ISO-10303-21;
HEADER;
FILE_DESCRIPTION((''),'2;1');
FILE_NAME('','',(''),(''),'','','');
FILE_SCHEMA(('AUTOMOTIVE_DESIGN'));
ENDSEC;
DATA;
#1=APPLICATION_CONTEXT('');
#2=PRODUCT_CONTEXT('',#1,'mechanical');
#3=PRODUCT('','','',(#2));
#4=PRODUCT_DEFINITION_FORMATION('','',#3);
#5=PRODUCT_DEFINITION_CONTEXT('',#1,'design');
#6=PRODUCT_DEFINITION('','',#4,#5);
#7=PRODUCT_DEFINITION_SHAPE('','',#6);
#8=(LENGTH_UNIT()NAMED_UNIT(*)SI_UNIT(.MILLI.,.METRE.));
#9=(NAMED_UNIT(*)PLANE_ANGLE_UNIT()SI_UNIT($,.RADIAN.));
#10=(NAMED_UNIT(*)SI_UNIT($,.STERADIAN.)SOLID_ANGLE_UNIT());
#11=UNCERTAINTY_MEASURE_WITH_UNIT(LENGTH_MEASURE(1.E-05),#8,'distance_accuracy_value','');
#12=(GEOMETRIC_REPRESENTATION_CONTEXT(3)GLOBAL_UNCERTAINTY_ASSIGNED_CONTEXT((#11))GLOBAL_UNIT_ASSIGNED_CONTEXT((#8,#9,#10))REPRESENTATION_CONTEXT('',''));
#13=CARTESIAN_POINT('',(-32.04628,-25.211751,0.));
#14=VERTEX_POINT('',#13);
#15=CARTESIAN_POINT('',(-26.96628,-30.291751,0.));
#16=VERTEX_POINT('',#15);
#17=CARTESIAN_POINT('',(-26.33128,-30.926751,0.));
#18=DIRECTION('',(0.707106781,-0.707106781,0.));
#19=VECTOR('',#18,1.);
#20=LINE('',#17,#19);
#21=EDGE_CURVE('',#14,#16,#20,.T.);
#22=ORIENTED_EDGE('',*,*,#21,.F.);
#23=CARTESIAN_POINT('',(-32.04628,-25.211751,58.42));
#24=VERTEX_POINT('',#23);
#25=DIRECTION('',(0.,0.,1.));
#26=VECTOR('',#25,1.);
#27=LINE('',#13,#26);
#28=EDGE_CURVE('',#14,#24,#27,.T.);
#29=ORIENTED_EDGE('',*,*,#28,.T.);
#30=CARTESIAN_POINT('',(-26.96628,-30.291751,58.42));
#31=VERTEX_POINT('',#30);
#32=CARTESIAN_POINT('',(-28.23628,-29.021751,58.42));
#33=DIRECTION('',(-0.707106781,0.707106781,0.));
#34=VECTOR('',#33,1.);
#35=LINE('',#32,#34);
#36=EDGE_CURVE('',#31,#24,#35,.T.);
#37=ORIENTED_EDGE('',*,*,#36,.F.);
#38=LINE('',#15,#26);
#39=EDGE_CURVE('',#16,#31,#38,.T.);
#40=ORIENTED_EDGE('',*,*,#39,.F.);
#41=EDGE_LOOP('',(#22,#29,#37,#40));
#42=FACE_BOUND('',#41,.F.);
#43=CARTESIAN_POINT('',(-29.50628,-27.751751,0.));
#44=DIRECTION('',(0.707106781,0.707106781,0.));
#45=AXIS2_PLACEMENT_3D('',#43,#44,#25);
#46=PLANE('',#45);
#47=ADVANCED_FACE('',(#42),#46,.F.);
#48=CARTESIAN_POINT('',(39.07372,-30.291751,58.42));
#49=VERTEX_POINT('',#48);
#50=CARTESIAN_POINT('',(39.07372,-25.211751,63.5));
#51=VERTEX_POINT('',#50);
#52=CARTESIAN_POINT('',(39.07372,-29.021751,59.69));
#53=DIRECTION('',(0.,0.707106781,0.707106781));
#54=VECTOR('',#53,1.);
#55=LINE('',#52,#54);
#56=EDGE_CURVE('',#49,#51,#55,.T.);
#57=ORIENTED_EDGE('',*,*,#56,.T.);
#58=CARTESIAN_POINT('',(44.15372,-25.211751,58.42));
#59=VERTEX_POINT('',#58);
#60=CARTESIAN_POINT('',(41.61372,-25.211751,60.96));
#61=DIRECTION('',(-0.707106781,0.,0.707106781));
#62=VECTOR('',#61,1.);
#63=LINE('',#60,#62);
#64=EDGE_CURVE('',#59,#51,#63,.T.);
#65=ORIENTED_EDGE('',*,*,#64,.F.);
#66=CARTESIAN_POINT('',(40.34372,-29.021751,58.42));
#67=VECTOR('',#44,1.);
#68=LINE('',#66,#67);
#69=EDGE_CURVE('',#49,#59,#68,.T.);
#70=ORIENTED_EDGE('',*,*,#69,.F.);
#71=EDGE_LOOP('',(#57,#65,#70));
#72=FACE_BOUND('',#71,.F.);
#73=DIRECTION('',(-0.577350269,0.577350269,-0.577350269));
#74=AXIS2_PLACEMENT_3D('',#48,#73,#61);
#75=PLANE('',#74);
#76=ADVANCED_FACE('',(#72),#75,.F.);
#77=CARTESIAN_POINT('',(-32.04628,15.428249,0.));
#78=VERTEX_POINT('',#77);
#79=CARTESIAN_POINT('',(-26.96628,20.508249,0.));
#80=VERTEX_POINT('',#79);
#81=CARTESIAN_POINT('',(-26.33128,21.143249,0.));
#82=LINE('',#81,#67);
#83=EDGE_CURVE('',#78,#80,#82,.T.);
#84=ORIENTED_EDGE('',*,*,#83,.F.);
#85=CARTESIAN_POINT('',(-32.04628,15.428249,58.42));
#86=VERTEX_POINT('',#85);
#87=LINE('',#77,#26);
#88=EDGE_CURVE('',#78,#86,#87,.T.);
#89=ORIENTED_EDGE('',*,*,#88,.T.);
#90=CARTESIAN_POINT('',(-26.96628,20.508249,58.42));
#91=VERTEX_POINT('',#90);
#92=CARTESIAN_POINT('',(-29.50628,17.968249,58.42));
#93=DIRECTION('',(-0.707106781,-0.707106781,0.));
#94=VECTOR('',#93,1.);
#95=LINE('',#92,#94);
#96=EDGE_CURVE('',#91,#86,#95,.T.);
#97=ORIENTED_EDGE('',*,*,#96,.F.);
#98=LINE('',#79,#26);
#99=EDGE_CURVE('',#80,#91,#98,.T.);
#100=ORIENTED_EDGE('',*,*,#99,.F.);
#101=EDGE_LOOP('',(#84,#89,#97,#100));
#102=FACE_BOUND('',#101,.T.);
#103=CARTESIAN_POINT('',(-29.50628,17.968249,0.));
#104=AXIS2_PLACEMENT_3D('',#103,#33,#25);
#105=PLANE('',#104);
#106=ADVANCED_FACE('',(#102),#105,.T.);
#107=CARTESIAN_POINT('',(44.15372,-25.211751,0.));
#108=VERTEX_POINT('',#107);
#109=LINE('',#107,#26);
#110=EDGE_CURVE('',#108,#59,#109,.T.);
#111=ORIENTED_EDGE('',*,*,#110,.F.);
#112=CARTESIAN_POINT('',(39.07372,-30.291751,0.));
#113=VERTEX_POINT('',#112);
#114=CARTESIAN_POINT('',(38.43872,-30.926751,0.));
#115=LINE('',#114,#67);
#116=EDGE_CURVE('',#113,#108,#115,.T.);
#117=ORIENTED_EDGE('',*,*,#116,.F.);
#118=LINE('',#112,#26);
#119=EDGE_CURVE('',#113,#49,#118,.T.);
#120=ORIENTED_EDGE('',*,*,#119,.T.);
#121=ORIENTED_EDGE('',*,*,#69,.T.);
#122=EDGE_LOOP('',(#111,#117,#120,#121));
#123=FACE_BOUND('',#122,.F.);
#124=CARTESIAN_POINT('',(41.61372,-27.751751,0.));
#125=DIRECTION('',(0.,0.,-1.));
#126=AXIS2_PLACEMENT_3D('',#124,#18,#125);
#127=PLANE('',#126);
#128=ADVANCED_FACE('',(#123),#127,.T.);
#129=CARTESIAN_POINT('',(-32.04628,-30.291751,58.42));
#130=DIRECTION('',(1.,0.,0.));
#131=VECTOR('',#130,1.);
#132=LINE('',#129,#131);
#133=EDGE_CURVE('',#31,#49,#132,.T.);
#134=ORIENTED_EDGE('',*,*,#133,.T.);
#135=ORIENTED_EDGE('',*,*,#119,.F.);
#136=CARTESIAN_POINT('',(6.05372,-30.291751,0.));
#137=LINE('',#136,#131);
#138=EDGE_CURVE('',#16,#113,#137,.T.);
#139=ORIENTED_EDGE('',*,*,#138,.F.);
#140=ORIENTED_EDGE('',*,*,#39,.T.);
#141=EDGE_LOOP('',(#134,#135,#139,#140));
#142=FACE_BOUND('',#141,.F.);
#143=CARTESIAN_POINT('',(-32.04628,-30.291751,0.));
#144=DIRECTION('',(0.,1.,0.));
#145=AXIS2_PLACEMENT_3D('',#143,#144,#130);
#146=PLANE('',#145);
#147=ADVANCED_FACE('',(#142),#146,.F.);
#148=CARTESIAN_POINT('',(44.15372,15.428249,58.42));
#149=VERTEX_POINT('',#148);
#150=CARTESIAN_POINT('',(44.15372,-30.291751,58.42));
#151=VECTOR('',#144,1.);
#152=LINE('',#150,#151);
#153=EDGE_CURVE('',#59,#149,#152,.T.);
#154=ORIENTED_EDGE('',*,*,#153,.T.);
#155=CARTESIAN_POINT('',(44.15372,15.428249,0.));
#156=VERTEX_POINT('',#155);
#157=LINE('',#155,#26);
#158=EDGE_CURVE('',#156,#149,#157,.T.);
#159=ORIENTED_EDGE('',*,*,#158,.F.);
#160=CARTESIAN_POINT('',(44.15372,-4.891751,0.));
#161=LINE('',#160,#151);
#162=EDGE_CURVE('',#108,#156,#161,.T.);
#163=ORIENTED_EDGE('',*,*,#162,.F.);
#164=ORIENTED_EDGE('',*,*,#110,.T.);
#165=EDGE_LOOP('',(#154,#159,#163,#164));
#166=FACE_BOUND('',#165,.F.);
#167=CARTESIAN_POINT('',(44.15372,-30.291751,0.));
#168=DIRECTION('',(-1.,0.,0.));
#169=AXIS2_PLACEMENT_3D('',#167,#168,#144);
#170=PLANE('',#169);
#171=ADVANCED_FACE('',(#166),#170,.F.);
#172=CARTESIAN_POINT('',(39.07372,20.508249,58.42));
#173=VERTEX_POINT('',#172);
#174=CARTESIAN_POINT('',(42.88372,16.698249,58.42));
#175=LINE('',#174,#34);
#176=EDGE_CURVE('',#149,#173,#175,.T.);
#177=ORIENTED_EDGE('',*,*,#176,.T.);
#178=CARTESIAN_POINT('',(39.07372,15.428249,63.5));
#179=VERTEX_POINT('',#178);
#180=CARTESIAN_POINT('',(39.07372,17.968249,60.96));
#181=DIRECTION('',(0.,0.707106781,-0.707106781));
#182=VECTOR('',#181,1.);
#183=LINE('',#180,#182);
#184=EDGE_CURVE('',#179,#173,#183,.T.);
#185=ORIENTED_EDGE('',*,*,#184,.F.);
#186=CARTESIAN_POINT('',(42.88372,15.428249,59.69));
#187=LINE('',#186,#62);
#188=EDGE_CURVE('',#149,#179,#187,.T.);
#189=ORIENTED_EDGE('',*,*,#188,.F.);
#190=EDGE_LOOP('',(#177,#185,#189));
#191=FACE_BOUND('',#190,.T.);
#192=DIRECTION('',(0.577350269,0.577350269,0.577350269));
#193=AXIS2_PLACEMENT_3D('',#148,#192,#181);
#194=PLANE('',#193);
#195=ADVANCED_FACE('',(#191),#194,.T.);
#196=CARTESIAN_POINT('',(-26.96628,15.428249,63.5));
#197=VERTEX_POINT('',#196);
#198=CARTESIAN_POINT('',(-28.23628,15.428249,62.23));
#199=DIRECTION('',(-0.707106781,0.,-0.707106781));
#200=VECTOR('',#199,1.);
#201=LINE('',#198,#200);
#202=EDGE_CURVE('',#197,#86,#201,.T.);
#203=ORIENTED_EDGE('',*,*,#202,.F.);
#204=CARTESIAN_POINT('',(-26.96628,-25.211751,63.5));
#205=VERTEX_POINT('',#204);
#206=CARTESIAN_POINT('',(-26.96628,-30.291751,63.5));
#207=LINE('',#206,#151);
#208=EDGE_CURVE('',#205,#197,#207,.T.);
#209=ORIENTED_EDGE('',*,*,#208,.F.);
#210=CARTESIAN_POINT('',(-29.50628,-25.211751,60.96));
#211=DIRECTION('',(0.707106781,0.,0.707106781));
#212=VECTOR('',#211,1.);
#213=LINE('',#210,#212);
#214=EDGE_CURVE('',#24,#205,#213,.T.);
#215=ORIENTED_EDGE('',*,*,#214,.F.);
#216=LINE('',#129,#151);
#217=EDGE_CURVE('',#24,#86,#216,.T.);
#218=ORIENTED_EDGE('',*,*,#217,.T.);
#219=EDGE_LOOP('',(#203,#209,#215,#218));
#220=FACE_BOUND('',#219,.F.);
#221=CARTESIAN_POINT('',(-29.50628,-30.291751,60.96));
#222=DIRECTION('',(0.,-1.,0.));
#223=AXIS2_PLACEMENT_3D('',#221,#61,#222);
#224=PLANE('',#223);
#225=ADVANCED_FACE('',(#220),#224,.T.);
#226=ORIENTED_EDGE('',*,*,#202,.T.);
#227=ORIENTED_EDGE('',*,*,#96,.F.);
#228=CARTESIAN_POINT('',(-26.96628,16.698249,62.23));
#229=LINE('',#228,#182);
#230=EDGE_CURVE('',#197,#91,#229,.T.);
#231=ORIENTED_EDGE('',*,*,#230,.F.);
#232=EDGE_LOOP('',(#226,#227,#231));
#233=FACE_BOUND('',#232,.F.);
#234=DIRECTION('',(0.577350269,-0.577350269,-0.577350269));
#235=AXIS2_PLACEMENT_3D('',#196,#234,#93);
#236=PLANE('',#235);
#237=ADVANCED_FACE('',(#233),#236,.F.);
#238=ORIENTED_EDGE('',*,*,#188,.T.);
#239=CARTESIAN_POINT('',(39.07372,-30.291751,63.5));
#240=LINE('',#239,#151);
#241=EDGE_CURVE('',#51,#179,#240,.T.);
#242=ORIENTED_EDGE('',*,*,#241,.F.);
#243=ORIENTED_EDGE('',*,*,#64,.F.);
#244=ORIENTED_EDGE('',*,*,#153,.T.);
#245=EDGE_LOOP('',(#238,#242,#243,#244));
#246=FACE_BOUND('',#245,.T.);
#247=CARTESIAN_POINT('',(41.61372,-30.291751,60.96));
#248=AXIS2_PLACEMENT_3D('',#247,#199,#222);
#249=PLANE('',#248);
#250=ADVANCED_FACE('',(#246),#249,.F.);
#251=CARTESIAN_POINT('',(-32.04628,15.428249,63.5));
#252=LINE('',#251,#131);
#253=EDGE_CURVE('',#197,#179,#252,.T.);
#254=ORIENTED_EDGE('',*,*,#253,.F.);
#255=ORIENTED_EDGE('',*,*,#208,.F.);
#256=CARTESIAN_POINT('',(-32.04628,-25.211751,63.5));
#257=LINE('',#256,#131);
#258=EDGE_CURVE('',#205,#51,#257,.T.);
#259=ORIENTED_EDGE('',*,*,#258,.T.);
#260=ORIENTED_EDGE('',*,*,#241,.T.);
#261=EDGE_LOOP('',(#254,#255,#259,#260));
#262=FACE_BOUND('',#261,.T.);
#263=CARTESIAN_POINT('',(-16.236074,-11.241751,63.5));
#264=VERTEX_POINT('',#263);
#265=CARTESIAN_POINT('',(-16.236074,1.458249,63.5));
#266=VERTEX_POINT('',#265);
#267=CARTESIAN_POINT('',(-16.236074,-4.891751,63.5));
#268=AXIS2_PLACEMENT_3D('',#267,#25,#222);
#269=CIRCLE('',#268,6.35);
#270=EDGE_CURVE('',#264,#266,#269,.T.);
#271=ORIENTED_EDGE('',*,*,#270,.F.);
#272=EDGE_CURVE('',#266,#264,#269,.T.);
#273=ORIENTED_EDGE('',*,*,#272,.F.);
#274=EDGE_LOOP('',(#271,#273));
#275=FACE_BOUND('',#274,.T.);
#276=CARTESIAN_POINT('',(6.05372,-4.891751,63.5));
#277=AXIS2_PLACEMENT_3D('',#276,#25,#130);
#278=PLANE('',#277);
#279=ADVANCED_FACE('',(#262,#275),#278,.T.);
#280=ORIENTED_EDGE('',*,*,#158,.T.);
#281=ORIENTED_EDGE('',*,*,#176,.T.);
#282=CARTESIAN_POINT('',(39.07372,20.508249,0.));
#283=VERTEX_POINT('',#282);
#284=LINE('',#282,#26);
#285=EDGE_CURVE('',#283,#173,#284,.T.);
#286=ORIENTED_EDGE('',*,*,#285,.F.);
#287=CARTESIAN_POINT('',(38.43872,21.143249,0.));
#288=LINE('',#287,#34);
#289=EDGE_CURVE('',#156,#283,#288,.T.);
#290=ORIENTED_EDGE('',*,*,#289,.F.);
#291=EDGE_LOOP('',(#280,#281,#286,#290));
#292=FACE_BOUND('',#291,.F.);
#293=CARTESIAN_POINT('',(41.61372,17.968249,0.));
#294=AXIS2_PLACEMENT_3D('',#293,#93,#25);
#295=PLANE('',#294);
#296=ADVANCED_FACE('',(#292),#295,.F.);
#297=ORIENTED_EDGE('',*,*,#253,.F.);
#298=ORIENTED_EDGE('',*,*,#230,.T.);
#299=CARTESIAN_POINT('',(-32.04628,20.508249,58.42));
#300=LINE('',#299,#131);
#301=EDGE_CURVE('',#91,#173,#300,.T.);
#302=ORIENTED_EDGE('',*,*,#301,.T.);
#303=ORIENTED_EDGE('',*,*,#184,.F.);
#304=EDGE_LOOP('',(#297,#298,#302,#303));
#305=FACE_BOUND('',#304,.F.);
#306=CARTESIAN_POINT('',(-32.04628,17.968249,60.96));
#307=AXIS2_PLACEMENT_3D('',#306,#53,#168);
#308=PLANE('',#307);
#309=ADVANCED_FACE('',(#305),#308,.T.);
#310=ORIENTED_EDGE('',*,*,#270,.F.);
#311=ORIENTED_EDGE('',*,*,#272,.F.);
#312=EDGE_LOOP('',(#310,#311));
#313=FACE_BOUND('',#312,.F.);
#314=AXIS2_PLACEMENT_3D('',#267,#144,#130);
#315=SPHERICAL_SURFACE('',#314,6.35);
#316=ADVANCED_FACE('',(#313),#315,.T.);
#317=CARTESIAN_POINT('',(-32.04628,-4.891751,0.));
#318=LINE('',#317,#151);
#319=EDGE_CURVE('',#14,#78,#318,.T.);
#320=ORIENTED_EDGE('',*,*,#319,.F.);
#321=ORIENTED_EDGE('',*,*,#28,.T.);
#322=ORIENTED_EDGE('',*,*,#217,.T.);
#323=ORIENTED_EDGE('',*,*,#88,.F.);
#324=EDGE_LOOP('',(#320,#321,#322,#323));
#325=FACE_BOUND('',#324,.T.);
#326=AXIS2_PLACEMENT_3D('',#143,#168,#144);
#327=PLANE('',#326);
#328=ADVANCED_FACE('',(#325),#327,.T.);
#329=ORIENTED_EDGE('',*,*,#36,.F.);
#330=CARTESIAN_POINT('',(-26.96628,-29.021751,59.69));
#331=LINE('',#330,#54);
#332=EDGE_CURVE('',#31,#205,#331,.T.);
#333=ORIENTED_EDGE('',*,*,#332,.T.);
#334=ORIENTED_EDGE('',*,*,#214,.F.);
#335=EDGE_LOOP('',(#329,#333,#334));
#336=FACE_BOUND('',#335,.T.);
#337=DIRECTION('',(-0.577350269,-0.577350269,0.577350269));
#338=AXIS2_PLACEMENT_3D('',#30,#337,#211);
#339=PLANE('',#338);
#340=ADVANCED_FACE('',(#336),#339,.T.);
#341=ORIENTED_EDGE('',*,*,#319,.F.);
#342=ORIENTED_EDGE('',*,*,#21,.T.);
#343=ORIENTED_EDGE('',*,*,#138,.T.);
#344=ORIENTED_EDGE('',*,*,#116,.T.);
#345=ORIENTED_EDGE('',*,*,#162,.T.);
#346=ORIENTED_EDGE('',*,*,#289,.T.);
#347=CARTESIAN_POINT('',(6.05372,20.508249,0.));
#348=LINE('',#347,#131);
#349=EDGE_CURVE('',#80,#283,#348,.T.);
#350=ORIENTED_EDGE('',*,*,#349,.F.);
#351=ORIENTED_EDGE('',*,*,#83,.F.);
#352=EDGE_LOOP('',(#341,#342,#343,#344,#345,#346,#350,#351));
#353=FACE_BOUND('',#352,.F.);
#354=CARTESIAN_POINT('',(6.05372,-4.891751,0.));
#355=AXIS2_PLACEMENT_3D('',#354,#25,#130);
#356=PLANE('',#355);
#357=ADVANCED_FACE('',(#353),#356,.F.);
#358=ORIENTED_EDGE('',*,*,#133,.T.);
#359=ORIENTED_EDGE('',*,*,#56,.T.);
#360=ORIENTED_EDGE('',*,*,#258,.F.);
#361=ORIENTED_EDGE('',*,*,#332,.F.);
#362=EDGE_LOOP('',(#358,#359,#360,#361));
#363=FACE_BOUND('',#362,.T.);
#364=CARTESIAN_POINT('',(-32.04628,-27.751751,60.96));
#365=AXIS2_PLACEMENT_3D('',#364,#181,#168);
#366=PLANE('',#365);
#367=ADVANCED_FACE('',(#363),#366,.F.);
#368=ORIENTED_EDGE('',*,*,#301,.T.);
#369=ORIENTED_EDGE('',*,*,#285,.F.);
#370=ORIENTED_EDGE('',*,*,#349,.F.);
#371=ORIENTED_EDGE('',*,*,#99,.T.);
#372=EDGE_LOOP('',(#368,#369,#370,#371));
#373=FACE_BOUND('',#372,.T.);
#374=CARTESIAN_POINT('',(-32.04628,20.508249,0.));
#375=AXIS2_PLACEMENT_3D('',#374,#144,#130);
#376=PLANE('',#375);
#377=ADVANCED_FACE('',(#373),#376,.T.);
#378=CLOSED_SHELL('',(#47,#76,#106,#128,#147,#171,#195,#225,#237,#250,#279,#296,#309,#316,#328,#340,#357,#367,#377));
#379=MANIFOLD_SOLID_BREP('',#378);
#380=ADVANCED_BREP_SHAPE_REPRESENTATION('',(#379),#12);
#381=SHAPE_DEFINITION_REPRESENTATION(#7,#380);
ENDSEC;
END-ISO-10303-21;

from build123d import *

# Parameters (mm, degrees)
F0_W     = 76.2
F0_H     = 50.8
F1_DEPTH = 63.5
F2_SIZE  = 5.08


with BuildPart() as f1:
    # F0 (on Top) → F1 (new body)
    with BuildSketch(Plane.XY):
        with Locations((6.05372, -4.891751)):
            Rectangle(F0_W, F0_H)
    extrude(amount=F1_DEPTH)

    # F2
    f2_edges = [f1.edges().sort_by_distance(p)[0] for p in [
        (-32.04628, 20.508249, 31.75),
        (6.05372, 20.508249, 63.5),
        (-32.04628, -4.891751, 63.5),
        (-32.04628, -30.291751, 31.75),
        (44.15372, -4.891751, 63.5),
        (44.15372, 20.508249, 31.75),
        (44.15372, -30.291751, 31.75),
        (6.05372, -30.291751, 63.5),
    ]]
    chamfer(f2_edges, length=F2_SIZE)

    # F3 (on face) → F4 (revolve)
    with BuildSketch(Plane.XY.offset(63.5)):
        with BuildLine():
            Line((-16.236074, -4.891751), (-16.236074, -11.241751))
            ThreePointArc((-16.236074, -11.241751), (-9.886074, -4.891751), (-16.236074, 1.458249))
            Line((-16.236074, 1.458249), (-16.236074, -4.891751))
        make_face()
    revolve(axis=Axis((-16.236074, -4.891751, 63.5), (0, -1, 0)))


solid = f1.part
